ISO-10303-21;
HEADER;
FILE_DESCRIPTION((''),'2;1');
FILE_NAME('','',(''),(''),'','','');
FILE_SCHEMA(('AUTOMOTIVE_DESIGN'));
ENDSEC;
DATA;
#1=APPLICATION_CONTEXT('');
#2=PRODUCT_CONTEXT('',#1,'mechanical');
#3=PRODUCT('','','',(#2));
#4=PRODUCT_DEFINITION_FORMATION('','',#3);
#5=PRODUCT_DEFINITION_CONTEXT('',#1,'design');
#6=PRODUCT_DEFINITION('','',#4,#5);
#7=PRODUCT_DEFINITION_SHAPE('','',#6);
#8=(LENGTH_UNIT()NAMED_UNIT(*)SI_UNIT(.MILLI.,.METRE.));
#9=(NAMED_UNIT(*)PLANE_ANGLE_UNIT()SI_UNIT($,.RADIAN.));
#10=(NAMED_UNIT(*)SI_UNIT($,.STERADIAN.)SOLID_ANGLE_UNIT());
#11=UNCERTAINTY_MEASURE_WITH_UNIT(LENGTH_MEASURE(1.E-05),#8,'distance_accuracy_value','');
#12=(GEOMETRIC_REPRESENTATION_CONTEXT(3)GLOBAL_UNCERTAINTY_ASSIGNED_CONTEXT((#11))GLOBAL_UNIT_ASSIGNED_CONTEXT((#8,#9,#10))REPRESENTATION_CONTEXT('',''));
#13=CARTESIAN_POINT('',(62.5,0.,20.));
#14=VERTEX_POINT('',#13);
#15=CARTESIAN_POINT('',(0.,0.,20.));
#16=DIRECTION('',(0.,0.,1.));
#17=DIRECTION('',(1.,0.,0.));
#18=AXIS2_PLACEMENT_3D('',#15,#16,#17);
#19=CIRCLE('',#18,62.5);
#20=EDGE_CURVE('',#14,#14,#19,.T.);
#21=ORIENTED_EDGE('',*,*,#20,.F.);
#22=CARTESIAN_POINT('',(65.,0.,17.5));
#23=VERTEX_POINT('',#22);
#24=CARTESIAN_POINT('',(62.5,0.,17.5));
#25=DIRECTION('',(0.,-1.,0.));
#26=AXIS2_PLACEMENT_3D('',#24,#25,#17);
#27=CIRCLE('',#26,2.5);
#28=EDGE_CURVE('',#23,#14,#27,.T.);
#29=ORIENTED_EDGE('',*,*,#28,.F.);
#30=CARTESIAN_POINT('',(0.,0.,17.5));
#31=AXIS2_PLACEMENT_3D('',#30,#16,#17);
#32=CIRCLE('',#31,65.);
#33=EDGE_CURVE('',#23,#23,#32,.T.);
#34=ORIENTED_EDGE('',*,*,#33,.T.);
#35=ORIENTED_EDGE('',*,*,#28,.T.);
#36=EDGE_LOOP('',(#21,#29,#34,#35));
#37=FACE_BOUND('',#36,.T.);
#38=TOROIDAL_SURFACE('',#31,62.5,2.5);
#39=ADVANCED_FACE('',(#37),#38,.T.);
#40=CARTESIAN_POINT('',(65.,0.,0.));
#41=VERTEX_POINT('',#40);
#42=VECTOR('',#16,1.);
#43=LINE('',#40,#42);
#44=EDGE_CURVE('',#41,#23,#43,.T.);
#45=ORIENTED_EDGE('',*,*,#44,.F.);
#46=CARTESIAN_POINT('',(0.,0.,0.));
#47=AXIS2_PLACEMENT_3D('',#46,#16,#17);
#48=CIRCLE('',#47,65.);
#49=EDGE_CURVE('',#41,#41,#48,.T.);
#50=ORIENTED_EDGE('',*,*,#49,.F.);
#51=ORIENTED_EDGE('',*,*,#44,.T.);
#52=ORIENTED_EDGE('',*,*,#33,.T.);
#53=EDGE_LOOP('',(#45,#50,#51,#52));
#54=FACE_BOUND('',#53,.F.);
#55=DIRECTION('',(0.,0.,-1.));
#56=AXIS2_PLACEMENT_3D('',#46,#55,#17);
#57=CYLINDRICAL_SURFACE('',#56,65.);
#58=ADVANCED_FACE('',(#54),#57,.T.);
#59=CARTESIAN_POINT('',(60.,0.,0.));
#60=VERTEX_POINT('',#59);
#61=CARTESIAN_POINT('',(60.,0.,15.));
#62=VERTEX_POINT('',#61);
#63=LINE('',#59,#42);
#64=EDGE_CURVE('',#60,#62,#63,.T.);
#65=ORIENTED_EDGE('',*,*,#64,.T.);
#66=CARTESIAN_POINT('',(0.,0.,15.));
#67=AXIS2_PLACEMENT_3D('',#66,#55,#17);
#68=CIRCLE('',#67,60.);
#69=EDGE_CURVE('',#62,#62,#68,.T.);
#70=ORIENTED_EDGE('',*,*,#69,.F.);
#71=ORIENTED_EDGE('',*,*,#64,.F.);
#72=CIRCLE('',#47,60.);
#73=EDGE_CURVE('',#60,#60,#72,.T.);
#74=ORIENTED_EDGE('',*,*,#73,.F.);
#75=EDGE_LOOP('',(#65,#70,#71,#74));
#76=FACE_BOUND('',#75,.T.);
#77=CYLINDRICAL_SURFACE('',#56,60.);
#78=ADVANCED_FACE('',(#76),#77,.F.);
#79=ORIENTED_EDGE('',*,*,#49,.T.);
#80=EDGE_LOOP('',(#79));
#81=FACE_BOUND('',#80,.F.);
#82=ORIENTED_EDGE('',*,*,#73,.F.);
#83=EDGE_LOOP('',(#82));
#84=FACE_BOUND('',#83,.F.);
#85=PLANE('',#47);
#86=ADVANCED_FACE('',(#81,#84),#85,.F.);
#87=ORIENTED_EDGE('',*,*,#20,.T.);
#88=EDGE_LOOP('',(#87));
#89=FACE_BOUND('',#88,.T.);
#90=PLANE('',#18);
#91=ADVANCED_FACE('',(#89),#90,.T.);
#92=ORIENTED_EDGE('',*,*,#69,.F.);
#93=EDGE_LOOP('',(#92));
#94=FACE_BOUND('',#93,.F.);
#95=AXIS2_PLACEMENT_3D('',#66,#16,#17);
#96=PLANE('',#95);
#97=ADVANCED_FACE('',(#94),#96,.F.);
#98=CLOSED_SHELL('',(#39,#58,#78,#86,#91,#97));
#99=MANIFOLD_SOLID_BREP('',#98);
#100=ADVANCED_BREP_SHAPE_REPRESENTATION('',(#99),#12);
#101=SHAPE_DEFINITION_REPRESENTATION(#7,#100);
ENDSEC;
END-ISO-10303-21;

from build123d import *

# Parameters (mm, degrees)
F0_R     = 65
F1_DEPTH = 20
F2_T     = -5
F3_R     = 2.5


with BuildPart() as f1:
    # F0 (on Top) → F1 (new body)
    with BuildSketch(Plane.XY):
        Circle(F0_R)
    extrude(amount=F1_DEPTH)

    # F2
    f2_openings = [f1.faces().sort_by_distance(p)[0] for p in [
        (0, 0, 0),
    ]]
    offset(amount=F2_T, openings=f2_openings)

    # F3
    f3_edges = [f1.edges().sort_by_distance(p)[0] for p in [
        (-65, 0, 20),
    ]]
    fillet(f3_edges, radius=F3_R)


solid = f1.part
